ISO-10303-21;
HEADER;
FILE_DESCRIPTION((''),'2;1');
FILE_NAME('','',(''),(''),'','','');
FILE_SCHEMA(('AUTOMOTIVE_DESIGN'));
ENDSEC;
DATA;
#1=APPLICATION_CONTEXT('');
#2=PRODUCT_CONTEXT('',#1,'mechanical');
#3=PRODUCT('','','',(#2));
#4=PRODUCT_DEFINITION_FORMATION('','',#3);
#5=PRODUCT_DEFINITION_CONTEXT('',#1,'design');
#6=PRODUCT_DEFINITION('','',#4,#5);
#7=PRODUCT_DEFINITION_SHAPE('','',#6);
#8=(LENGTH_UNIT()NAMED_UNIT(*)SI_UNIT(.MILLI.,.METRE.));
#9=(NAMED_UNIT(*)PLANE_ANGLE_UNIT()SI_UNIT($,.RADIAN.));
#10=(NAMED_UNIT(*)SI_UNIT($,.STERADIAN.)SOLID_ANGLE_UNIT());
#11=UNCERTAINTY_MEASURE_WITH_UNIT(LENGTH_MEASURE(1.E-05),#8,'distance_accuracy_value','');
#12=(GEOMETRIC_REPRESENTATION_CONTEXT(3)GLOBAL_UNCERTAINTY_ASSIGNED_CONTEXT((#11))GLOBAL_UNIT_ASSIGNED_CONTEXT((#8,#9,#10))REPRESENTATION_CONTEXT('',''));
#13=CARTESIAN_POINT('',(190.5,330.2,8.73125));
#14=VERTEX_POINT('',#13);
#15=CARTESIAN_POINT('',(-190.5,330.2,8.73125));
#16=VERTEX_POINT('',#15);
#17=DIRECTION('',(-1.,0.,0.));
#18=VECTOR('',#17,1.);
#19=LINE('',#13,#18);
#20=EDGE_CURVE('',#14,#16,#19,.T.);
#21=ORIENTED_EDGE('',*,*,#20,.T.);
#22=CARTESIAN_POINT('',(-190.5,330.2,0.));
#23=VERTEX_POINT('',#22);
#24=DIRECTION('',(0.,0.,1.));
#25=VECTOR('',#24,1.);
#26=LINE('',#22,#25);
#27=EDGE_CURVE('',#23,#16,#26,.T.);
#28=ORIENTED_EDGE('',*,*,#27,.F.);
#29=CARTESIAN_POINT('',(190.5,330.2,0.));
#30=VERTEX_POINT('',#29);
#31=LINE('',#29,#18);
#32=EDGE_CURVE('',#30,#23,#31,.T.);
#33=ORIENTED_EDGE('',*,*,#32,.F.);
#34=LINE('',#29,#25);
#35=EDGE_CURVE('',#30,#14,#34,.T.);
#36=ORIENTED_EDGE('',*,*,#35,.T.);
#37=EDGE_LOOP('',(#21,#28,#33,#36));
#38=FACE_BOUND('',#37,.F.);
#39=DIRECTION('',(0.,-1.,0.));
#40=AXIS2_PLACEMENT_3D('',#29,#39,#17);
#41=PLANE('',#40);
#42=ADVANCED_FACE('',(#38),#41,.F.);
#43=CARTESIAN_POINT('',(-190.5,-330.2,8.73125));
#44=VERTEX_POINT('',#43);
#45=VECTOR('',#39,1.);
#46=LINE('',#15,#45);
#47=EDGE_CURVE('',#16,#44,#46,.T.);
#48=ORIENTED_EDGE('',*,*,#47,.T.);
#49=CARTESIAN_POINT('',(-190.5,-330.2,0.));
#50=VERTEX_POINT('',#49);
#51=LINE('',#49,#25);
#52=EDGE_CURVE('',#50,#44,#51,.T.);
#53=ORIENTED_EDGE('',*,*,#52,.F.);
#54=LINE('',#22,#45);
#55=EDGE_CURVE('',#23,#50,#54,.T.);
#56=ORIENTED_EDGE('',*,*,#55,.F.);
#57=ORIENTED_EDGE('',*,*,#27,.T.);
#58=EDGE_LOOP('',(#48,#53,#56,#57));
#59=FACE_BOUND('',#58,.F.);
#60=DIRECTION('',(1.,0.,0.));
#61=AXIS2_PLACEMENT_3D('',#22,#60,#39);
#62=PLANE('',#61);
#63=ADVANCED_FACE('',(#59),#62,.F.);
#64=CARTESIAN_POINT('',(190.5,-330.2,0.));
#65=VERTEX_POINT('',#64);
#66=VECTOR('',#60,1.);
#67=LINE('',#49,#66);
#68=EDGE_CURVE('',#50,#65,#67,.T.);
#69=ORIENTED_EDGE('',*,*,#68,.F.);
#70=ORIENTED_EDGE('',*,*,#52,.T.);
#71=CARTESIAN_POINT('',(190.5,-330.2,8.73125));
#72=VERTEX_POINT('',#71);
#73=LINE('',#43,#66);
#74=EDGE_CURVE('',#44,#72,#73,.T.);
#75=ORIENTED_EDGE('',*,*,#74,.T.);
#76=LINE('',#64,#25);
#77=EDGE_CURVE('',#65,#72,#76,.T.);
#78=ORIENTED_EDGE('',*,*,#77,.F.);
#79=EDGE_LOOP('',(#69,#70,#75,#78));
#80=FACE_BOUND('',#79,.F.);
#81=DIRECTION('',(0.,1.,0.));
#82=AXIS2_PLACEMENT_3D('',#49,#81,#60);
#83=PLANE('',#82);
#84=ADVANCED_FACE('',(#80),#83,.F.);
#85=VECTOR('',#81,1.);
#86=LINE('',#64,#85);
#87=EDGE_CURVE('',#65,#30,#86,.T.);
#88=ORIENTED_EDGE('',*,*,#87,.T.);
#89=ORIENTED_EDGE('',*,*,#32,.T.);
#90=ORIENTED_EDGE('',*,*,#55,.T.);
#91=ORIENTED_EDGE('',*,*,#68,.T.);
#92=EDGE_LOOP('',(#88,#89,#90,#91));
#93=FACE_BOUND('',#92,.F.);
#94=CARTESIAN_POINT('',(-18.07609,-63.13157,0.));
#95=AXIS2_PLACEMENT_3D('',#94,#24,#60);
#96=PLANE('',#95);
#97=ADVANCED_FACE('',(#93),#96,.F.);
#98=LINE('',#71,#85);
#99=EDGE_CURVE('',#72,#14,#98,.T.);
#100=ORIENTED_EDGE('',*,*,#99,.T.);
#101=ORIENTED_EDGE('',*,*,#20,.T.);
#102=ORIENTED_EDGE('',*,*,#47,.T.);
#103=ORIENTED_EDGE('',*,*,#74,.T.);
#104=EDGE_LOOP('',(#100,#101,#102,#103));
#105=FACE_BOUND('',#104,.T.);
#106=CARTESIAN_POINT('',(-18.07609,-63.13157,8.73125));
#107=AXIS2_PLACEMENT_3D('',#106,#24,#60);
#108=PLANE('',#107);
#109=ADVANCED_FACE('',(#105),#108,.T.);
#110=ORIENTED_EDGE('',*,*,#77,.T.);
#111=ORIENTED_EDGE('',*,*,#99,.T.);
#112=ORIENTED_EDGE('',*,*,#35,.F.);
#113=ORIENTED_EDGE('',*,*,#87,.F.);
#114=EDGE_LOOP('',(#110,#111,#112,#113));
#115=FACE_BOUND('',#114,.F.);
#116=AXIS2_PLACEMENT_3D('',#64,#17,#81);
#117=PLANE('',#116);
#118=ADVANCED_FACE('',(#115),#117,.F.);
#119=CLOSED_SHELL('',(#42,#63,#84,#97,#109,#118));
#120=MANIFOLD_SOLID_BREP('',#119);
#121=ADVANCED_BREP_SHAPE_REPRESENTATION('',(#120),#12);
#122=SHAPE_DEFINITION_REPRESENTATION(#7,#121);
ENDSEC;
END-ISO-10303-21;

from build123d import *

# Parameters (mm, degrees)
F0_W     = 25.4
F0_H     = 50.8
F1_DEPTH = 8.73125


with BuildPart() as f1:
    # F0 (on Top) → F1 (new body)
    with BuildSketch(Plane.XY):
        Polygon((-165.1, 279.4), (-1.758172, -330.2), (186.852724, -330.2), align=None)
        Polygon((-190.5, -330.2), (-1.758172, -330.2), (-165.1, 279.4), (-190.5, 279.4), align=None)
        Polygon((-165.1, 279.4), (186.852724, -330.2), (190.5, -330.2), (190.5, -76.2), align=None)
        with Locations((-177.8, 304.8)):
            Rectangle(F0_W, F0_H)
        Polygon((-165.1, 330.2), (-165.1, 279.4), (190.5, 184.117267), (190.5, 330.2), align=None)
        Polygon((190.5, 184.117267), (-165.1, 279.4), (190.5, 74.094244), align=None)
        Polygon((190.5, 74.094244), (-165.1, 279.4), (190.5, -76.2), align=None)
    extrude(amount=F1_DEPTH)


solid = f1.part
